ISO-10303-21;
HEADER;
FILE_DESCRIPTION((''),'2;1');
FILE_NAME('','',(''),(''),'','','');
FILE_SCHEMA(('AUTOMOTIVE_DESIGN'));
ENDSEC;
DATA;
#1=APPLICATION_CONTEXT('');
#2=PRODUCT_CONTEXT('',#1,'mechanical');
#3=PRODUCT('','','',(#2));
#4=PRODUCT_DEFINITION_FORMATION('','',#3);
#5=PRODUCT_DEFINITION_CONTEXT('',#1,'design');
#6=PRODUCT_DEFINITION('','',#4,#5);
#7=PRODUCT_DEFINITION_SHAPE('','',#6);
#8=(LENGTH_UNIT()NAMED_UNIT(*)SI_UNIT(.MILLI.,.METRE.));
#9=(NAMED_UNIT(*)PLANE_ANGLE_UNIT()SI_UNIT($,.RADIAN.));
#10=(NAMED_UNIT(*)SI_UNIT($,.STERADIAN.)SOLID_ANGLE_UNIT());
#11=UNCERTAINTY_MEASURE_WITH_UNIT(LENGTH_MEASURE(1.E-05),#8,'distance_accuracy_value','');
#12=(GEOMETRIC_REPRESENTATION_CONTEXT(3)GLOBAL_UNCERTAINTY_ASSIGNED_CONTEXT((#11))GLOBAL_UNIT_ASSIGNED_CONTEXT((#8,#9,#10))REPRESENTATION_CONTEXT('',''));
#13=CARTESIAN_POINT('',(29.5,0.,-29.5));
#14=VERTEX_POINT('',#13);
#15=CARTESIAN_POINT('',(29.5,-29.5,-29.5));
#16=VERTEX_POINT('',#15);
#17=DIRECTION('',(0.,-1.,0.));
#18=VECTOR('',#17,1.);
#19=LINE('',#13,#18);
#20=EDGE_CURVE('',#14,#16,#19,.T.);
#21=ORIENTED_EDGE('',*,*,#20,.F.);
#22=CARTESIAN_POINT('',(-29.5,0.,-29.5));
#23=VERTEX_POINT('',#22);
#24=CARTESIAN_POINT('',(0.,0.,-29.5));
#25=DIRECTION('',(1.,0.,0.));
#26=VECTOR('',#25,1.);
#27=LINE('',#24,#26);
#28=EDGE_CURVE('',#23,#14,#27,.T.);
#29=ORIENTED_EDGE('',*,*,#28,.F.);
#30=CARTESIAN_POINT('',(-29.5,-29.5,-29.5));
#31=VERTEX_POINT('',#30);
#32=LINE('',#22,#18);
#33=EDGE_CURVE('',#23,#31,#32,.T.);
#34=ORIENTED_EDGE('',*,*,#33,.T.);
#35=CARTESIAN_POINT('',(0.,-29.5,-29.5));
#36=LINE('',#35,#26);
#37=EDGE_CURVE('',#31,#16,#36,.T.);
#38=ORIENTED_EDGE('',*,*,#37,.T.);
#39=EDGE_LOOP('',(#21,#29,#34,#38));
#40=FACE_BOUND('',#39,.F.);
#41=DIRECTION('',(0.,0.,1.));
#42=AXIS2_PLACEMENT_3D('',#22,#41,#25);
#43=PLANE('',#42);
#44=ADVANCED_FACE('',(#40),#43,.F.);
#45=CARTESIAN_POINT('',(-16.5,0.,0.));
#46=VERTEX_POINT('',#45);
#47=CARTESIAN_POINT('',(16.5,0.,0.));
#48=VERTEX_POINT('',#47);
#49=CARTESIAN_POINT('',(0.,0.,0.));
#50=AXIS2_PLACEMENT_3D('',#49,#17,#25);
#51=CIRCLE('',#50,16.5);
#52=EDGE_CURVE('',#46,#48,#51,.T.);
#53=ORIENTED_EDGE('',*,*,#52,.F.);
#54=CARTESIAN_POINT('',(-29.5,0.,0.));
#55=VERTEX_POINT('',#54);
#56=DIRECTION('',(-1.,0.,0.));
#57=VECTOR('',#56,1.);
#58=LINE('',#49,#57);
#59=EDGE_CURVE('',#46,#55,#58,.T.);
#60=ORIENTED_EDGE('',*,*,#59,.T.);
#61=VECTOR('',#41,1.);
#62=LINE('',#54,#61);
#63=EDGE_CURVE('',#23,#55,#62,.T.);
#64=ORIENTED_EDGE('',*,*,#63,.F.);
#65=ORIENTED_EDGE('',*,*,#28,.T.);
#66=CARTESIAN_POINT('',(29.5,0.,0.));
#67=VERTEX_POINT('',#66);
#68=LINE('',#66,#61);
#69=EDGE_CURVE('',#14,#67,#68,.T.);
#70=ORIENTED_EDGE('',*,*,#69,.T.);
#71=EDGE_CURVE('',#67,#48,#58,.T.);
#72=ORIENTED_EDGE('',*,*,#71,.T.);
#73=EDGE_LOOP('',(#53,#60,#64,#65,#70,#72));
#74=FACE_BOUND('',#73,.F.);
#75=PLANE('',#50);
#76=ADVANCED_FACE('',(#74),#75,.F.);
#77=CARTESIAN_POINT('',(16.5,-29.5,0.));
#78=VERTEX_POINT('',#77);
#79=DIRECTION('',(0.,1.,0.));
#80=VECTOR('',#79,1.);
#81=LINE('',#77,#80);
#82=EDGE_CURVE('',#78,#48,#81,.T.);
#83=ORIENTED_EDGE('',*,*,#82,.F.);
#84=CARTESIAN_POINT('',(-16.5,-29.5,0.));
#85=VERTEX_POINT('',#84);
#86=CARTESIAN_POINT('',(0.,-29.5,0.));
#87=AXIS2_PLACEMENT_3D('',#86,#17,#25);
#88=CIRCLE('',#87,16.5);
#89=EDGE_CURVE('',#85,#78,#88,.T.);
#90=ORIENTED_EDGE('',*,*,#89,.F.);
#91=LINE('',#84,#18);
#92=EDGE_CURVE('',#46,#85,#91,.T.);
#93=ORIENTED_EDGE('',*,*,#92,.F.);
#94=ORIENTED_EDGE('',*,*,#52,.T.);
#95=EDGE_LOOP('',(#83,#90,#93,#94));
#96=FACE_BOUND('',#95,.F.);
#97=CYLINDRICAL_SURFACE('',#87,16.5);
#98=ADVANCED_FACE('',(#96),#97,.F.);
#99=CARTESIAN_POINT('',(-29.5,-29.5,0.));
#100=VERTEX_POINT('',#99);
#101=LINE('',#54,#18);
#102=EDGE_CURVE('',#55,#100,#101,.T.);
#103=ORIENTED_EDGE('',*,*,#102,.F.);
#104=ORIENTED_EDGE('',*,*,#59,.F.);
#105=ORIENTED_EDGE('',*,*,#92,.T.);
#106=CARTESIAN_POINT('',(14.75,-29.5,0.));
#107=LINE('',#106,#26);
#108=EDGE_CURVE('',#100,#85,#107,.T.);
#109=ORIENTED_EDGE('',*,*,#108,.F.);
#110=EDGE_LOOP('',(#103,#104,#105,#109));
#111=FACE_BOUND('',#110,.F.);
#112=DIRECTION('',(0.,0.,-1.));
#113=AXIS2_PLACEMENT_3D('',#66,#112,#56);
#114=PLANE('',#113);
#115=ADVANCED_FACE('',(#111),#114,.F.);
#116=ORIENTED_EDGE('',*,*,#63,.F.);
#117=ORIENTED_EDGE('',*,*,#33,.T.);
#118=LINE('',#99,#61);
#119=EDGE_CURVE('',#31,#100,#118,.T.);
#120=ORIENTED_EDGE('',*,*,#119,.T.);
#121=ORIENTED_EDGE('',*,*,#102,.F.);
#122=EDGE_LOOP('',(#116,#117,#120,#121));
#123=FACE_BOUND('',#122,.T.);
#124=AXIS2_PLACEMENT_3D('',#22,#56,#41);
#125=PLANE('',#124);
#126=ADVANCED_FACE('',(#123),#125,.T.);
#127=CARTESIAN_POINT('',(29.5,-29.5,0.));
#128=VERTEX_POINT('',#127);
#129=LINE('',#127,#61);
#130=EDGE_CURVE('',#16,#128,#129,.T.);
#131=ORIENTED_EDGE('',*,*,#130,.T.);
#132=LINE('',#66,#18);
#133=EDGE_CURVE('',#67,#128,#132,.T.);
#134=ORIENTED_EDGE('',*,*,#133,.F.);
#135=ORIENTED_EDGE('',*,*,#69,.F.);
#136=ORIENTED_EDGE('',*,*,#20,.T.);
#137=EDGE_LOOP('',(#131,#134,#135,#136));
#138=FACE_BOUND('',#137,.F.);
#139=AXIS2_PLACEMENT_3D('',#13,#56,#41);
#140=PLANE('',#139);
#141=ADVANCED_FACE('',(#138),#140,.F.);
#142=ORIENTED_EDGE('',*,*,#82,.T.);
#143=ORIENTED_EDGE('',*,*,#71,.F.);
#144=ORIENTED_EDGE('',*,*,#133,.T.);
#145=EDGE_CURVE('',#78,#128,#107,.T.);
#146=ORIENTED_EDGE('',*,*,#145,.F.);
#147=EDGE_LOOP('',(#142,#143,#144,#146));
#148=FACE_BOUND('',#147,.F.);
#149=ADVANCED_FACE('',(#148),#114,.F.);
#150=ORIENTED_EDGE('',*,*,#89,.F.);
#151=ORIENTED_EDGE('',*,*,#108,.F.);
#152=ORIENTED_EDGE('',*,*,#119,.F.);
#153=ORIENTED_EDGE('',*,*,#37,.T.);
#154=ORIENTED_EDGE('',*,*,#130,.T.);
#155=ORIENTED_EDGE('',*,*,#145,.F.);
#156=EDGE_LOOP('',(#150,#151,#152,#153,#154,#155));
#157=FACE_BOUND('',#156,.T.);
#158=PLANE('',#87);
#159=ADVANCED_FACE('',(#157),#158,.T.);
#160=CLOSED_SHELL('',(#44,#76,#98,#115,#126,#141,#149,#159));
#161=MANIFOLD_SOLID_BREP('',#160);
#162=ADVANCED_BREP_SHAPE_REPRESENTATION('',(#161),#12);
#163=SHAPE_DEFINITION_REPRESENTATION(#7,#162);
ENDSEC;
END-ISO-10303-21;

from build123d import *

# Parameters (mm, degrees)
F0_W     = 59
F0_H     = 59
F1_DEPTH = 29.5
F2_R     = 16.5
F3_DEPTH = 29.501
F4_W     = 59
F4_H     = 29.5
F5_DEPTH = 29.501


with BuildPart() as f1:
    # F0 (on Front) → F1 (new body)
    with BuildSketch(Plane.XZ):
        Rectangle(F0_W, F0_H)
    extrude(amount=F1_DEPTH)

    # F2 (on face) → F3 (cut, through all)
    with BuildSketch(Plane.XZ.offset(29.5)):
        Circle(F2_R)
    extrude(amount=-F3_DEPTH, mode=Mode.SUBTRACT)

    # F4 (on face) → F5 (cut, through all)
    with BuildSketch(Plane(origin=(0, 0, 0), x_dir=(-1, 0, 0), z_dir=(0, 1, 0))):
        with Locations((0, 14.75)):
            Rectangle(F4_W, F4_H)
    extrude(amount=-F5_DEPTH, mode=Mode.SUBTRACT)


solid = f1.part
